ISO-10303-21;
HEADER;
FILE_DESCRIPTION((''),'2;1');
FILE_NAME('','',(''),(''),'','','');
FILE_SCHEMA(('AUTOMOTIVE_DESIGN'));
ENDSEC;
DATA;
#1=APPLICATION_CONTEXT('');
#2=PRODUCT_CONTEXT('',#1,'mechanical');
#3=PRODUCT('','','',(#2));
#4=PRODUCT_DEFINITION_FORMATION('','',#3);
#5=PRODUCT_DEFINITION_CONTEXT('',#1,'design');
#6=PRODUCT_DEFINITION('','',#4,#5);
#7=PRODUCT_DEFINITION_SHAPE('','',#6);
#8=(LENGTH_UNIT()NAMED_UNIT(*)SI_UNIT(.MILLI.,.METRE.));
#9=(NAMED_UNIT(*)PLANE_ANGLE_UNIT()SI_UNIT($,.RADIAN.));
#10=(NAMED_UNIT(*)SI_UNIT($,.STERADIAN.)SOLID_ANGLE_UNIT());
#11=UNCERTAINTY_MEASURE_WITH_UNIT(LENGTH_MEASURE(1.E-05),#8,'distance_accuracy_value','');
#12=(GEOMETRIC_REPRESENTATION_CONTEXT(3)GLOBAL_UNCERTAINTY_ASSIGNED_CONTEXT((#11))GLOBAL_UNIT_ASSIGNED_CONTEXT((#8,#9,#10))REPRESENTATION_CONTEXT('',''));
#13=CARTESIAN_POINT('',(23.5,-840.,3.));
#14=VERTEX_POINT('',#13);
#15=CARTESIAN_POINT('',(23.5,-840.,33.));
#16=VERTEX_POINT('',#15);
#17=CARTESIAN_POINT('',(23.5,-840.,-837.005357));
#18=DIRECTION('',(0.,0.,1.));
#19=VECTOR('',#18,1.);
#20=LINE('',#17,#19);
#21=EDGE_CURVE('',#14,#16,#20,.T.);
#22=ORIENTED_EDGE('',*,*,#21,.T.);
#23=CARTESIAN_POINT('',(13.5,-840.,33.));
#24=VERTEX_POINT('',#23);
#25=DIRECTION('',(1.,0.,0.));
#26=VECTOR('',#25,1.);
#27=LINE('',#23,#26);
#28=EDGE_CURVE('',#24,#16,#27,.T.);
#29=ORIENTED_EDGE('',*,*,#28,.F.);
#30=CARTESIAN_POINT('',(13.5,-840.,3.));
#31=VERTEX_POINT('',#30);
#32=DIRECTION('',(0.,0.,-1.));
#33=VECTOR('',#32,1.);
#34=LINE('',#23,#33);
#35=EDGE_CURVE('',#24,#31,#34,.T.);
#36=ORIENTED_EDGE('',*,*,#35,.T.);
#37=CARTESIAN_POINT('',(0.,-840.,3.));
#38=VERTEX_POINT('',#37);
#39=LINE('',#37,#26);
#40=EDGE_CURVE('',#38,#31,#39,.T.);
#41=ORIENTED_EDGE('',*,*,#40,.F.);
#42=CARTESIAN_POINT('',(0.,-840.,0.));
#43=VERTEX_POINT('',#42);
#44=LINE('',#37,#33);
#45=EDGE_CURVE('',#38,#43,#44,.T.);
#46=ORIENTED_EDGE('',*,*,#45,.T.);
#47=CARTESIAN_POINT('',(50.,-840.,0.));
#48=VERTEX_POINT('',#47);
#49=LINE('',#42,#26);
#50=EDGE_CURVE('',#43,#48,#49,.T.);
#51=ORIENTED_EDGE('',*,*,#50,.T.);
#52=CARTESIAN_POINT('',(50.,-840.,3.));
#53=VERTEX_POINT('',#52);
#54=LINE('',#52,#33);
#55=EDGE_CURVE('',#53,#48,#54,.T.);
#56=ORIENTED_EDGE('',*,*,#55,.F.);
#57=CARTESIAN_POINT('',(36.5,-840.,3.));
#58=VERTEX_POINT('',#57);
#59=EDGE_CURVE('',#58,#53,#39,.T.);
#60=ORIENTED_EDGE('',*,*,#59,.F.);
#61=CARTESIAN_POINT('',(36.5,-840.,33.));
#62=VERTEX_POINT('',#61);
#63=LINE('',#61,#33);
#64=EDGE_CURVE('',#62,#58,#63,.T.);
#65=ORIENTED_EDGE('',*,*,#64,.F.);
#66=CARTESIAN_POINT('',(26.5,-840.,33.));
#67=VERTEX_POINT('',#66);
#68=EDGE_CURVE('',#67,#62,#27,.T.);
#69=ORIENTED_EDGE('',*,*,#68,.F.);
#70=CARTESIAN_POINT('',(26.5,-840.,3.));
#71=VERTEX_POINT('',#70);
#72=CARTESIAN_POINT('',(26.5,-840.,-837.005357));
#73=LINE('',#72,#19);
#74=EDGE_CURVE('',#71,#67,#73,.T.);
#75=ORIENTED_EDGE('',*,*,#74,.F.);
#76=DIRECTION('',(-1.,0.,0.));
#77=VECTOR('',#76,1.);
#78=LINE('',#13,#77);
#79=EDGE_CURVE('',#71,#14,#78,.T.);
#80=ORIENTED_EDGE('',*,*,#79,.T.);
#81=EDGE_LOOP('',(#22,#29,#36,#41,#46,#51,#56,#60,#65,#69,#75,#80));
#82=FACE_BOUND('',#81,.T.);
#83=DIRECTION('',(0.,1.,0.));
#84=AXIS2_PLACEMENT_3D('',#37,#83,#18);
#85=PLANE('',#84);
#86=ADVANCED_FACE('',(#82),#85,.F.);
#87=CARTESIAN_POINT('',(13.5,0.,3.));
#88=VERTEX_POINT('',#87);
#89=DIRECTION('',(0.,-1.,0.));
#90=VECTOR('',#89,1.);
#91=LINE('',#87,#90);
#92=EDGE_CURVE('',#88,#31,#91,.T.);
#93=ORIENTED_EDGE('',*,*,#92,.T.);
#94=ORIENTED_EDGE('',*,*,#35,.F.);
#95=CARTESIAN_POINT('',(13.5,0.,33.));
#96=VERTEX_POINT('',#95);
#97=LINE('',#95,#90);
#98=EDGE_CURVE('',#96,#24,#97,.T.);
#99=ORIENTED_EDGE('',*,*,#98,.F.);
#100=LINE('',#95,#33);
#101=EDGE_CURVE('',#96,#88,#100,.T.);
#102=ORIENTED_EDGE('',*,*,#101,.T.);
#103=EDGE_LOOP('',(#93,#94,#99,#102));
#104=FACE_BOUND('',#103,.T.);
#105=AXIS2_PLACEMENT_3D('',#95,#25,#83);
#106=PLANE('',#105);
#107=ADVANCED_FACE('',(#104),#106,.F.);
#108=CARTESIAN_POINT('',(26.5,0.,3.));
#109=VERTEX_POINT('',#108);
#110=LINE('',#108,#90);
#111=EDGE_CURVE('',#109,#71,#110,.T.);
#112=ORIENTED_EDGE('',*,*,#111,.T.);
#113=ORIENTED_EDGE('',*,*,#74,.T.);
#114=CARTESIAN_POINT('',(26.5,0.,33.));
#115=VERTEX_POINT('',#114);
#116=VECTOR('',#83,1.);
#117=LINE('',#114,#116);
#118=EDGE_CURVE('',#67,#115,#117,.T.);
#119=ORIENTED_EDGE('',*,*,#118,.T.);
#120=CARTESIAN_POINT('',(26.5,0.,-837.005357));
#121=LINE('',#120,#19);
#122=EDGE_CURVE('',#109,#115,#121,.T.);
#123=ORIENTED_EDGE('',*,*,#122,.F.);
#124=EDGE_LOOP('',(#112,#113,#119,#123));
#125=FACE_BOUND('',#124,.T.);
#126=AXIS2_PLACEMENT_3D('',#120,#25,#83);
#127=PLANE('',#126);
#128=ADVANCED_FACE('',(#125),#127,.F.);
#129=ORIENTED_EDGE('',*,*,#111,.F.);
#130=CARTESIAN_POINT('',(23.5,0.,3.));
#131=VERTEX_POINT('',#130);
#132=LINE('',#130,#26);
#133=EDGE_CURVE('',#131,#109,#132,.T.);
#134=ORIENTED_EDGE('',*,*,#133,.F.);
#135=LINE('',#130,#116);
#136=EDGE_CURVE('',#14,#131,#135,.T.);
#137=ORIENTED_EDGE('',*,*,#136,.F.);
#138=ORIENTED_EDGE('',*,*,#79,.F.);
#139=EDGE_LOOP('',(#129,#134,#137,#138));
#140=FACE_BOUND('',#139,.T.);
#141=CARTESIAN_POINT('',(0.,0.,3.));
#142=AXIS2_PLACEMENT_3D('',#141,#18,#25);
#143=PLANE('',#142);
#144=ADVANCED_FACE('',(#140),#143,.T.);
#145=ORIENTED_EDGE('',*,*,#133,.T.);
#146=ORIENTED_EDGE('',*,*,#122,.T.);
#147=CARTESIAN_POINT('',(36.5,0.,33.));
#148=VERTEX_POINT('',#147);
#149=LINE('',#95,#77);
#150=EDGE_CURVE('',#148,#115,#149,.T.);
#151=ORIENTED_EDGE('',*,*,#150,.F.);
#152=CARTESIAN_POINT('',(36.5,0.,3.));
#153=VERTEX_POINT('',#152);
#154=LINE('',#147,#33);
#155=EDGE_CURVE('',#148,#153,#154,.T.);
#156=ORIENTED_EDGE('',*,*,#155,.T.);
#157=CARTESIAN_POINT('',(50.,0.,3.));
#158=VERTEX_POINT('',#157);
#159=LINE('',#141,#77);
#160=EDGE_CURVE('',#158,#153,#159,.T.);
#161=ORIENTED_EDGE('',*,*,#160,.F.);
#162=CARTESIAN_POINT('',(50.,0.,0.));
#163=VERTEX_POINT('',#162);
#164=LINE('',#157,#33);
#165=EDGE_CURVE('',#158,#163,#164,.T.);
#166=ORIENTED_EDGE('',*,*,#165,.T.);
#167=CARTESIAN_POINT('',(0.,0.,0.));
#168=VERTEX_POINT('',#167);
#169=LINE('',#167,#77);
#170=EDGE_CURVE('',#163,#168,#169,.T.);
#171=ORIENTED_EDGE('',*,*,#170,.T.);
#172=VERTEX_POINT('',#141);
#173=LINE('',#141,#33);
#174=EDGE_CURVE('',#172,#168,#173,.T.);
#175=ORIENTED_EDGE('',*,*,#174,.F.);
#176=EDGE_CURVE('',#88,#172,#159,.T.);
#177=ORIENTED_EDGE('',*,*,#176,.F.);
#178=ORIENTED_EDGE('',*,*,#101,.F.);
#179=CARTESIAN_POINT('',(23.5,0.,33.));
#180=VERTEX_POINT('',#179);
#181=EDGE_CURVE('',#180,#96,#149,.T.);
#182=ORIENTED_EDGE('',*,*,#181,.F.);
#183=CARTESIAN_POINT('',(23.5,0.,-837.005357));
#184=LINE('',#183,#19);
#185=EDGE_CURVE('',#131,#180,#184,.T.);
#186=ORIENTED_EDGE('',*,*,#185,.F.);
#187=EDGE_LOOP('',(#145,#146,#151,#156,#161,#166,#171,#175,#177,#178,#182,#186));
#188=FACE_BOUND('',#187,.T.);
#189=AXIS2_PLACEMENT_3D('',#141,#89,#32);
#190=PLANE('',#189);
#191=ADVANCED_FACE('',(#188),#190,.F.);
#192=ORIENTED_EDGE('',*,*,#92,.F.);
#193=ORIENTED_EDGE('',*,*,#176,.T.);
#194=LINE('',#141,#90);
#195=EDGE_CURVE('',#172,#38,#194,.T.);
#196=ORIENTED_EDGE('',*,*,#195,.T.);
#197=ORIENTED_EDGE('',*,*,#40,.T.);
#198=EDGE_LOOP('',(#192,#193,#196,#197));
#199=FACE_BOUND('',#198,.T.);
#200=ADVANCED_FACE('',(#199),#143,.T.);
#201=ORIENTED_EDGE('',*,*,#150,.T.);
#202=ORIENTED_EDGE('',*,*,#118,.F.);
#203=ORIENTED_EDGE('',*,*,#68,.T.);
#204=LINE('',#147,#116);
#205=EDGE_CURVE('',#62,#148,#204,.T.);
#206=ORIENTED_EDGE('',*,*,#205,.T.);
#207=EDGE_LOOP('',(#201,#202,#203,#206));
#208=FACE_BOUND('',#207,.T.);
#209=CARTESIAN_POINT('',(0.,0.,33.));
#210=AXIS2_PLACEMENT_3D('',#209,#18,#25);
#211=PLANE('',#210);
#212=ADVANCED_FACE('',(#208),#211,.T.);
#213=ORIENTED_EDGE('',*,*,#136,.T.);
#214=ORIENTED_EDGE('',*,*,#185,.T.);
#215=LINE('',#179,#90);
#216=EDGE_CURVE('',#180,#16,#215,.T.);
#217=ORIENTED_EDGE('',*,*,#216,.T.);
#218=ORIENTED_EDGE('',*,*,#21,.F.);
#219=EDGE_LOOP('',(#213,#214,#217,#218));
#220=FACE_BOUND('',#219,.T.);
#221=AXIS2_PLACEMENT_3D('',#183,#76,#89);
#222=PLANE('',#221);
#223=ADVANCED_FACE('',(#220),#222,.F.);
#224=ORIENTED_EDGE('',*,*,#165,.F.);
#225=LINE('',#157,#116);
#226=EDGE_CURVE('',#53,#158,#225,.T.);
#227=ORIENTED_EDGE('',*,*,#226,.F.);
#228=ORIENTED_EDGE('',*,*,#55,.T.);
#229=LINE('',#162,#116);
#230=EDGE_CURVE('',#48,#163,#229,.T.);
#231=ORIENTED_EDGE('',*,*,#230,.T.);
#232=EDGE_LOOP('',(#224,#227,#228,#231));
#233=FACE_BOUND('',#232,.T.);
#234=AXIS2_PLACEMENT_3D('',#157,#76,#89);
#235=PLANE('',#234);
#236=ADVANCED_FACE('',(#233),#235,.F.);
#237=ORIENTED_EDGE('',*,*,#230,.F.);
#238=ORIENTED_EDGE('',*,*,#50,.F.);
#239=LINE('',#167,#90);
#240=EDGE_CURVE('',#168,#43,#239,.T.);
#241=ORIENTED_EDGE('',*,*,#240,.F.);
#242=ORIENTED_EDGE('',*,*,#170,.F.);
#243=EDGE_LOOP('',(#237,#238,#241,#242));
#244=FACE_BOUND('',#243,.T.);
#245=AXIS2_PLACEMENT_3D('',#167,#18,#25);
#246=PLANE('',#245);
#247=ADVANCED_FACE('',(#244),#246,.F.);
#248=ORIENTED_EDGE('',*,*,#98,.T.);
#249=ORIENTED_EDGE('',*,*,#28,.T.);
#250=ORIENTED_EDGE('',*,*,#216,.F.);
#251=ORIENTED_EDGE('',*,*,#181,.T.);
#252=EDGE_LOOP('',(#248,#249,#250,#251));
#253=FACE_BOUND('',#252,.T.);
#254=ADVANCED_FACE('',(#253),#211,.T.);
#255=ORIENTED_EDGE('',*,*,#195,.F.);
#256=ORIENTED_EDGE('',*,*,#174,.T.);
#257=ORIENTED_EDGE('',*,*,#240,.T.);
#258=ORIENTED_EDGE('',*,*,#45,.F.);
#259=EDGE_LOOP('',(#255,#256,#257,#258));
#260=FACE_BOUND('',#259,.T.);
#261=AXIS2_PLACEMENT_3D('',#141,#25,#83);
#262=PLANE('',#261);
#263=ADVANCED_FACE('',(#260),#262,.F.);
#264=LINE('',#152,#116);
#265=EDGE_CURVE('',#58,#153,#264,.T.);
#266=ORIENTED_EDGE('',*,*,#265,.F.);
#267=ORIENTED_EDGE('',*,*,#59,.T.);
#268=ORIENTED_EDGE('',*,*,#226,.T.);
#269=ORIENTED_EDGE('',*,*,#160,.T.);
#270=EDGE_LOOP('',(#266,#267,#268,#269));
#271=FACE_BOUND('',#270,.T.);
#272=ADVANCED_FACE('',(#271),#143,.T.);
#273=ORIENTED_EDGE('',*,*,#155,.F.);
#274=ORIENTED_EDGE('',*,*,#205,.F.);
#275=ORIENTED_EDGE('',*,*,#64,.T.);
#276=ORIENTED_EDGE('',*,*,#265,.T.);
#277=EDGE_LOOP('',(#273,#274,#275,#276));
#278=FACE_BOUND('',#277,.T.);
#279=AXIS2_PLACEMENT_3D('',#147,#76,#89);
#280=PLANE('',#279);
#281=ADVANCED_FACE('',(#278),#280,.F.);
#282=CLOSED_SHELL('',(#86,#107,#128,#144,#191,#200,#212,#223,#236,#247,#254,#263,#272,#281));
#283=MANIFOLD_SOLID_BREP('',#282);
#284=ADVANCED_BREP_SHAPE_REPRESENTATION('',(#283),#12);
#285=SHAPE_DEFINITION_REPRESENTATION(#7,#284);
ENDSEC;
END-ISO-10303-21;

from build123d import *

# Parameters (mm, degrees)
SKETCH1_W           = 50
SKETCH1_H           = 840
BOSS_EXTRUDE1_DEPTH = 3
SKETCH2_W           = 23
SKETCH2_H           = 840
BOSS_EXTRUDE2_DEPTH = 30
SKETCH3_W           = 3
SKETCH3_H           = 840
CUT_EXTRUDE1_DEPTH  = 30


with BuildPart() as part:
    # Sketch1 → Boss-Extrude1 (new body)
    with BuildSketch(Plane.XY):
        with Locations((25, -420)):
            Rectangle(SKETCH1_W, SKETCH1_H)
    extrude(amount=BOSS_EXTRUDE1_DEPTH)

    # Sketch2 → Boss-Extrude2 (add)
    with BuildSketch(Plane.XY.offset(3)):
        with Locations((25, -420)):
            Rectangle(SKETCH2_W, SKETCH2_H)
    extrude(amount=BOSS_EXTRUDE2_DEPTH)

    # Sketch3 → Cut-Extrude1 (cut)
    with BuildSketch(Plane.XY.offset(33)):
        with Locations((25, -420)):
            Rectangle(SKETCH3_W, SKETCH3_H)
    extrude(amount=-CUT_EXTRUDE1_DEPTH, mode=Mode.SUBTRACT)


solid = part.part
